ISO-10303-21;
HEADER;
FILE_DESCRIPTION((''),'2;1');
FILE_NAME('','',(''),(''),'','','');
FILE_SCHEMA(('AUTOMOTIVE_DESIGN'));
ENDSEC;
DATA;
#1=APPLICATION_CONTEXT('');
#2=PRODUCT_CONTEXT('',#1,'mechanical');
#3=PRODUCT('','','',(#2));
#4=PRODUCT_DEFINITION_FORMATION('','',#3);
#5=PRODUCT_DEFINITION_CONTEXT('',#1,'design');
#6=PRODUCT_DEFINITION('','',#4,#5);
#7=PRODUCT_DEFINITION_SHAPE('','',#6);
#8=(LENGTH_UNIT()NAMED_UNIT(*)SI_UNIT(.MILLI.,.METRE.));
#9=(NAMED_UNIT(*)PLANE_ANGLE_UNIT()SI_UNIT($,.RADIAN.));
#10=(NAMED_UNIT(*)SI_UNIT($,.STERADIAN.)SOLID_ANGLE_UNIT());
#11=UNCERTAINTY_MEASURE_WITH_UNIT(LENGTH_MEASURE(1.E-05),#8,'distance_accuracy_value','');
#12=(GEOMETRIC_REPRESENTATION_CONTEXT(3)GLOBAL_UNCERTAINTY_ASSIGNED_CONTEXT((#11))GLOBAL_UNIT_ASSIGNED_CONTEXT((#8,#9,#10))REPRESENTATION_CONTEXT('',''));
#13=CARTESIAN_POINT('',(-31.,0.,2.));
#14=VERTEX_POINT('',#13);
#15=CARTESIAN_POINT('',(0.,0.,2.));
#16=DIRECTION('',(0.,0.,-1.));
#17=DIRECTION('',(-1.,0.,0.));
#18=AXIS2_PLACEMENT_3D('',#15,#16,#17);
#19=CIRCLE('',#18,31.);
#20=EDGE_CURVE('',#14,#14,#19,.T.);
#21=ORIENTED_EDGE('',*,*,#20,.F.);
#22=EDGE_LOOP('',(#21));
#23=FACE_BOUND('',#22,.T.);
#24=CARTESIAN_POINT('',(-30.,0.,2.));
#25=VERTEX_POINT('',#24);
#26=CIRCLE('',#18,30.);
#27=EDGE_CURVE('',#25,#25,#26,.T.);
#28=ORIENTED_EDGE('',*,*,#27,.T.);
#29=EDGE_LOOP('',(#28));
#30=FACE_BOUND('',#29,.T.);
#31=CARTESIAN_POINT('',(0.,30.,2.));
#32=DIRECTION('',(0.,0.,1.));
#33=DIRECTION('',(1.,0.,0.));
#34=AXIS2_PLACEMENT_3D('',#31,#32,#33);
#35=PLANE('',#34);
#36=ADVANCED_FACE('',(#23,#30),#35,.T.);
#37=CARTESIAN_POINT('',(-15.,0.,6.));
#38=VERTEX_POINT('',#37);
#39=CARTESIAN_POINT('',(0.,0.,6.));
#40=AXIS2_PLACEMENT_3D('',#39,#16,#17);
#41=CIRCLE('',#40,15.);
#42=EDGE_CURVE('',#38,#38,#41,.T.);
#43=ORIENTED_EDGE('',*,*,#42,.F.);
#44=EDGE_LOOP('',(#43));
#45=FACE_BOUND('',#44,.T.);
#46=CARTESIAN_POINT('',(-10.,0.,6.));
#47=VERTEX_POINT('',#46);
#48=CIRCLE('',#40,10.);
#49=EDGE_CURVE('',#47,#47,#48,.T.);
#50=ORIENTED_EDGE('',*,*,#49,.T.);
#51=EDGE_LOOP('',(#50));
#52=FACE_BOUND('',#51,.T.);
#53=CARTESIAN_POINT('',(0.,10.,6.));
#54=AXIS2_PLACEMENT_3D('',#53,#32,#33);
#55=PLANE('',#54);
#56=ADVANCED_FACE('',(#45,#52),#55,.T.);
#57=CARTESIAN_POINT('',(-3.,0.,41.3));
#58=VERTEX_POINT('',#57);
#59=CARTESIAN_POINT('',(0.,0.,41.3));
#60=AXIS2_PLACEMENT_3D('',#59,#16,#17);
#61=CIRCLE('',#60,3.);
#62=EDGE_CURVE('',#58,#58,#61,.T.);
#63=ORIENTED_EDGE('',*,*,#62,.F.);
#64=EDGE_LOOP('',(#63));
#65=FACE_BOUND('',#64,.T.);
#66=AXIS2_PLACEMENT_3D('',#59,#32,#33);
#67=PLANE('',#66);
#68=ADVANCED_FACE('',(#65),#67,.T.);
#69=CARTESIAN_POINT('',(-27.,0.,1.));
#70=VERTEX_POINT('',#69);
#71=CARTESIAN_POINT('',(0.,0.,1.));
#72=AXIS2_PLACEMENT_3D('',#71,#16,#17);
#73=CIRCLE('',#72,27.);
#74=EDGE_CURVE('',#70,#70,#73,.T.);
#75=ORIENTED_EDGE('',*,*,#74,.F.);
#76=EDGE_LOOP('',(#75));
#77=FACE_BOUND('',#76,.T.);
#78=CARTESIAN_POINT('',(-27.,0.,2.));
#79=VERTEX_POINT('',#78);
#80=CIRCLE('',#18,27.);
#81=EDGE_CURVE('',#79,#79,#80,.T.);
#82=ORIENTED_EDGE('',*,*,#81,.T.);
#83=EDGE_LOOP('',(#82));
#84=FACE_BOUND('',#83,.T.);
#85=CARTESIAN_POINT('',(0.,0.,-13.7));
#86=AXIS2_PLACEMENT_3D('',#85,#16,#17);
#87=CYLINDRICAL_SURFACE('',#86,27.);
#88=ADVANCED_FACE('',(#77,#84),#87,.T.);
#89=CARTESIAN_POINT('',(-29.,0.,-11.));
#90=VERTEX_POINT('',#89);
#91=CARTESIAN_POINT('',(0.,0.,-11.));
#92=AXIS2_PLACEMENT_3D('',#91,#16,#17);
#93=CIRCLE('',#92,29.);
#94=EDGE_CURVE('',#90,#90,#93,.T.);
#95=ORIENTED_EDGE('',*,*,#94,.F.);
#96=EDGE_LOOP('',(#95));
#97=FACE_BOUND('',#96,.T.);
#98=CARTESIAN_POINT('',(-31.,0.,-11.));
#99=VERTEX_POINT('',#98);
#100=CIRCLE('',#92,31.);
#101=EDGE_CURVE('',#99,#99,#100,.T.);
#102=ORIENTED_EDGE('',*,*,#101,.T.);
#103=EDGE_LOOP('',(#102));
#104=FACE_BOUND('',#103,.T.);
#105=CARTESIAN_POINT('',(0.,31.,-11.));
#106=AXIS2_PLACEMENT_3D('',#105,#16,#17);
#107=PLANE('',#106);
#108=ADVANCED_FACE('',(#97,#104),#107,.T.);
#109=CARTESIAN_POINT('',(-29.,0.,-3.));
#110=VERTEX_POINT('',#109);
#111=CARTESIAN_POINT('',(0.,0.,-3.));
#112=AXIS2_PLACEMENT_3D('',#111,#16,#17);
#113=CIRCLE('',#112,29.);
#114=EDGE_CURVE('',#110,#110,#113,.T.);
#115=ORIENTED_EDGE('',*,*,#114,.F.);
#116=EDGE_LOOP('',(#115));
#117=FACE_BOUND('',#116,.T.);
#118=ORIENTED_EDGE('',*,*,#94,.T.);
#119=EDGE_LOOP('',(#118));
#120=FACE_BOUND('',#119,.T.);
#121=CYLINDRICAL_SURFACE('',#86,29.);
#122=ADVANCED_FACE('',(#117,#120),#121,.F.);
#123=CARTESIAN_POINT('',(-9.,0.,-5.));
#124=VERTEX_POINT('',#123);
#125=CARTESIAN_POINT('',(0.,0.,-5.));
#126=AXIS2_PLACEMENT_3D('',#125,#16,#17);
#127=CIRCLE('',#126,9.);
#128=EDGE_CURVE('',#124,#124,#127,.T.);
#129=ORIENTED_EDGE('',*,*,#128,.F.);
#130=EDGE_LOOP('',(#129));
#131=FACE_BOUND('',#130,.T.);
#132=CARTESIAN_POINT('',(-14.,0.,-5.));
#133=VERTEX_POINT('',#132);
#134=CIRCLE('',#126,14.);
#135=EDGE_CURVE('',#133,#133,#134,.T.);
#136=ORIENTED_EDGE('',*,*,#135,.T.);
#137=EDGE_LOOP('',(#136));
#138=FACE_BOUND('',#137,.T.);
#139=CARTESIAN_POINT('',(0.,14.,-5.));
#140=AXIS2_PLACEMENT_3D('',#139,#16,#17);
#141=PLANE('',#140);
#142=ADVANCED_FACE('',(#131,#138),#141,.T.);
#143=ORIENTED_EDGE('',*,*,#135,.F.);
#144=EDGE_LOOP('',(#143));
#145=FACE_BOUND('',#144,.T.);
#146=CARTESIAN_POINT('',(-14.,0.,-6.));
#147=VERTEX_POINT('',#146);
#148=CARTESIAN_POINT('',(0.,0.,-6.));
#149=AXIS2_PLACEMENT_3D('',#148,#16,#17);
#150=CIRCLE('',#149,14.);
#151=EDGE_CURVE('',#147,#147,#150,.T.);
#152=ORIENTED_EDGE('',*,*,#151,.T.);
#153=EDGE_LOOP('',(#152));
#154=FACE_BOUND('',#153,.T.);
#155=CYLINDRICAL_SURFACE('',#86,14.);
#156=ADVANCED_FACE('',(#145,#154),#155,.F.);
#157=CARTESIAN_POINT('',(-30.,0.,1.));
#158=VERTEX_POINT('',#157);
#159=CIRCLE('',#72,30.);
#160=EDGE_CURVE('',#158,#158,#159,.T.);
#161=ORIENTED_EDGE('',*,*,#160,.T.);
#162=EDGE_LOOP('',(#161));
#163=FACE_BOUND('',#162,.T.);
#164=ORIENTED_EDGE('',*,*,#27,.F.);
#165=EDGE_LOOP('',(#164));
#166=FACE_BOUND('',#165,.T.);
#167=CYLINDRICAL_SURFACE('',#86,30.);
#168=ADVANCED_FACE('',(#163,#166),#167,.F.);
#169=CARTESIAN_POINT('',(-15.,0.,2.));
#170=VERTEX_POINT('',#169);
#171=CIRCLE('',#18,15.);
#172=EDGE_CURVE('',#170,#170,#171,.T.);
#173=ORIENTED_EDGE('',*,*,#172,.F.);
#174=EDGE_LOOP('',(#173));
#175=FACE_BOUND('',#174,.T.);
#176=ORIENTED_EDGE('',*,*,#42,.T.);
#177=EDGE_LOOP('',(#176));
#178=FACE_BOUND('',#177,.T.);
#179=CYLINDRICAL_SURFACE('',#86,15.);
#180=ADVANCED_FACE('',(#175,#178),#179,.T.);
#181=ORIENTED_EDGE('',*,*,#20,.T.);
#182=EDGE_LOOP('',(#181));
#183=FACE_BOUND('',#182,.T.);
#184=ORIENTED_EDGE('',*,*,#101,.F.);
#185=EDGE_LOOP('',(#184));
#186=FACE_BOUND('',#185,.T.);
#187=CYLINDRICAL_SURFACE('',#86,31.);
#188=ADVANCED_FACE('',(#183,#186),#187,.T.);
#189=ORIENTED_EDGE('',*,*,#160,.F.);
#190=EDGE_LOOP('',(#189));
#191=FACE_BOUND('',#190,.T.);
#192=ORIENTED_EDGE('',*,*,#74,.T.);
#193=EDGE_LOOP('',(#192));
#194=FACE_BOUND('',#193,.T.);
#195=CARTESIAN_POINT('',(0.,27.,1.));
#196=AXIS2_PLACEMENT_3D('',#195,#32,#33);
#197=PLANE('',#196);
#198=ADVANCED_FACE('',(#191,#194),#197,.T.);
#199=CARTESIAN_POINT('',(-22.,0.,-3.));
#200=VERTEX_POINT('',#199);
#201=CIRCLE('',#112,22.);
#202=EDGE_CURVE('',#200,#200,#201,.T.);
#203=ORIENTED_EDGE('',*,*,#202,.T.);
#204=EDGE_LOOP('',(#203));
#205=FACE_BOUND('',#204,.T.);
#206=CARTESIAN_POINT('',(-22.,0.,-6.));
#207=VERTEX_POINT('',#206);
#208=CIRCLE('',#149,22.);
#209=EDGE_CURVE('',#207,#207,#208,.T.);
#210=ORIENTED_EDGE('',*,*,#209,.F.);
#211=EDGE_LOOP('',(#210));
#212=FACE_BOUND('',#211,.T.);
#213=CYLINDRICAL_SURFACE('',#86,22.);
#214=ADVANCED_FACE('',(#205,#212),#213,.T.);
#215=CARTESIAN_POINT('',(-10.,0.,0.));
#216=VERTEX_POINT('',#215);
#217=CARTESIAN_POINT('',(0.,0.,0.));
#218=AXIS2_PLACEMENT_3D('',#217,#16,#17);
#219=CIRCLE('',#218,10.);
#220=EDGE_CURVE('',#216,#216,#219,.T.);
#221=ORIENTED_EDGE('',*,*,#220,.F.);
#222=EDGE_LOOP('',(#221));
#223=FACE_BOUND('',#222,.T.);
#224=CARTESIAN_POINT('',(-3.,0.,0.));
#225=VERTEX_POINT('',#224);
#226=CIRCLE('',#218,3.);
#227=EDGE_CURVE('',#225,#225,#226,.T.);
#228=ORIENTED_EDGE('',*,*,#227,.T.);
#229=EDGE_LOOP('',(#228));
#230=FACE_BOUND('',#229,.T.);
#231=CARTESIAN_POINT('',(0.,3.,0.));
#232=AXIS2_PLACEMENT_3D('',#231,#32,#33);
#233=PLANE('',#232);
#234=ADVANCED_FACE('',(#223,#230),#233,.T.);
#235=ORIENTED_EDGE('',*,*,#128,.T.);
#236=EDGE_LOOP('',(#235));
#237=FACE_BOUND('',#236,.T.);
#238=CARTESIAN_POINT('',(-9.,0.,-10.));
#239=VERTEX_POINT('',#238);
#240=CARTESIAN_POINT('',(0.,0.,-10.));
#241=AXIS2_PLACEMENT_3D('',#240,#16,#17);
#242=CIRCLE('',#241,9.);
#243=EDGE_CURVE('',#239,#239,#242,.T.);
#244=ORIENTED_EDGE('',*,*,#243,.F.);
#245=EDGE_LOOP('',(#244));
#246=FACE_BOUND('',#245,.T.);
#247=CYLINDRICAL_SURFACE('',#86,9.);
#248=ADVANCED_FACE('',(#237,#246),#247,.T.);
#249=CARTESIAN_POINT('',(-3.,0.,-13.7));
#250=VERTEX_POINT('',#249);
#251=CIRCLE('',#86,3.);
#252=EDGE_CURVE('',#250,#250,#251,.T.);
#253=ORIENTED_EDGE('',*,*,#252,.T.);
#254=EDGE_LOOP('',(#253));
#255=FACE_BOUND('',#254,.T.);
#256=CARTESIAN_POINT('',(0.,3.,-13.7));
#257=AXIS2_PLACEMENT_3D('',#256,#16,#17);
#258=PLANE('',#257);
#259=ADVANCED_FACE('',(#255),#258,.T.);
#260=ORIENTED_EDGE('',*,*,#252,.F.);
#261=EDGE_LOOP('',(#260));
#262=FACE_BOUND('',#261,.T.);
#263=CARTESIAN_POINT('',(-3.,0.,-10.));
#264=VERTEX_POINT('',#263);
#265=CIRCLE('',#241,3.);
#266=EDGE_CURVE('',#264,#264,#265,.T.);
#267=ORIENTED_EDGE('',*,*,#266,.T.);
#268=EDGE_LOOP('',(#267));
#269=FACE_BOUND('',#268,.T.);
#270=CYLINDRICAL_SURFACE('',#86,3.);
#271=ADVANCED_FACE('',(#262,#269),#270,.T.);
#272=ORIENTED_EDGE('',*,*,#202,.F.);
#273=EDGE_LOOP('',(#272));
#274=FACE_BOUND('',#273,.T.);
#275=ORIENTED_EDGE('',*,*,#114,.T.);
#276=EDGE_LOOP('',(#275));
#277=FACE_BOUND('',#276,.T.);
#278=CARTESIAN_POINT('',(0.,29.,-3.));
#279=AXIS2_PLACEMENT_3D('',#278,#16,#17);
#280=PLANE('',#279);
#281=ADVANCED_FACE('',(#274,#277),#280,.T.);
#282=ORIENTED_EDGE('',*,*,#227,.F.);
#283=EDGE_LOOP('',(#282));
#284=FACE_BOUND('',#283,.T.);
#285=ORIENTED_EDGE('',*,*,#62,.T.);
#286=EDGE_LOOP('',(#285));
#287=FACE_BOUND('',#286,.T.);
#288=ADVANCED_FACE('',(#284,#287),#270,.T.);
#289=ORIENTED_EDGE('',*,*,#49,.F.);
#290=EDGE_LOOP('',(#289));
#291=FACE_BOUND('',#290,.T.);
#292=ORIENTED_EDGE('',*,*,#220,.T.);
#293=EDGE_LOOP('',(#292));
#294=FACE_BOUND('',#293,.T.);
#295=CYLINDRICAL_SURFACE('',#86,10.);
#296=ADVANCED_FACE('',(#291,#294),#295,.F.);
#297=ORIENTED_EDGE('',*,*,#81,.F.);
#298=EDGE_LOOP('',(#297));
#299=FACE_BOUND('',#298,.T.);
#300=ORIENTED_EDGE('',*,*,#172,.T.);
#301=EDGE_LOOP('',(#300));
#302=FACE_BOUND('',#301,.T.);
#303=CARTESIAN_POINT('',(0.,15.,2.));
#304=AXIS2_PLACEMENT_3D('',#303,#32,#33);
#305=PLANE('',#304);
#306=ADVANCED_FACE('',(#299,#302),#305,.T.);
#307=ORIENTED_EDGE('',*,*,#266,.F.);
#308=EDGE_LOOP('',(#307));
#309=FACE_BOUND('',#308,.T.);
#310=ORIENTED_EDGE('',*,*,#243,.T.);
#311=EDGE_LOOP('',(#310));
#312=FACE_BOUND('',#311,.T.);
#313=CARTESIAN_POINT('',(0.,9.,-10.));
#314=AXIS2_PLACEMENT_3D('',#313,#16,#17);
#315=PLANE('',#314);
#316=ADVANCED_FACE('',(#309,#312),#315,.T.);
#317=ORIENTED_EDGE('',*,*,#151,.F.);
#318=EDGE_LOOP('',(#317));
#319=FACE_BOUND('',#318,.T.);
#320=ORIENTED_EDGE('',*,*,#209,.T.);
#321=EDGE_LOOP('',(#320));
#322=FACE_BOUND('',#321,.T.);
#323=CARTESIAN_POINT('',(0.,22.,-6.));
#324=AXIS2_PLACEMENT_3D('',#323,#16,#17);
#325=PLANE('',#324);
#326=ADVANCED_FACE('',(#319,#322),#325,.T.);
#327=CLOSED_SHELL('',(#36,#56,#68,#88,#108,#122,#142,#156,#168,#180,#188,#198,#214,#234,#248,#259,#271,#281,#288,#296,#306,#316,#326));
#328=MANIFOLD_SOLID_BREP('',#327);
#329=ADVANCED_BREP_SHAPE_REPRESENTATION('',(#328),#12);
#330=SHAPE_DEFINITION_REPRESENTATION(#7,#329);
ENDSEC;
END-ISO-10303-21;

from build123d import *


with BuildPart() as part:
    # Croquis1 → Revolución1 (revolve)
    with BuildSketch(Plane(origin=(0, 0, 0), x_dir=(0, 0, -1), z_dir=(1, 0, 0)), mode=Mode.PRIVATE) as revoluci_n1_sk:
        Polygon((13.7, 0), (-41.3, 0), (-41.3, 3), (0, 3), (0, 10), (-6, 10), (-6, 15), (-2, 15), (-2, 27), (-1, 27), (-1, 30), (-2, 30), (-2, 31), (11, 31), (11, 29), (3, 29), (3, 22), (6, 22), (6, 14), (5, 14), (5, 9), (10, 9), (10, 3), (13.7, 3), align=None)
    revolve(revoluci_n1_sk.sketch.rotate(Axis((0, 0, -13.7), (0, 0, 1)), 90), axis=Axis((0, 0, -13.7), (0, 0, 1)))


solid = part.part
